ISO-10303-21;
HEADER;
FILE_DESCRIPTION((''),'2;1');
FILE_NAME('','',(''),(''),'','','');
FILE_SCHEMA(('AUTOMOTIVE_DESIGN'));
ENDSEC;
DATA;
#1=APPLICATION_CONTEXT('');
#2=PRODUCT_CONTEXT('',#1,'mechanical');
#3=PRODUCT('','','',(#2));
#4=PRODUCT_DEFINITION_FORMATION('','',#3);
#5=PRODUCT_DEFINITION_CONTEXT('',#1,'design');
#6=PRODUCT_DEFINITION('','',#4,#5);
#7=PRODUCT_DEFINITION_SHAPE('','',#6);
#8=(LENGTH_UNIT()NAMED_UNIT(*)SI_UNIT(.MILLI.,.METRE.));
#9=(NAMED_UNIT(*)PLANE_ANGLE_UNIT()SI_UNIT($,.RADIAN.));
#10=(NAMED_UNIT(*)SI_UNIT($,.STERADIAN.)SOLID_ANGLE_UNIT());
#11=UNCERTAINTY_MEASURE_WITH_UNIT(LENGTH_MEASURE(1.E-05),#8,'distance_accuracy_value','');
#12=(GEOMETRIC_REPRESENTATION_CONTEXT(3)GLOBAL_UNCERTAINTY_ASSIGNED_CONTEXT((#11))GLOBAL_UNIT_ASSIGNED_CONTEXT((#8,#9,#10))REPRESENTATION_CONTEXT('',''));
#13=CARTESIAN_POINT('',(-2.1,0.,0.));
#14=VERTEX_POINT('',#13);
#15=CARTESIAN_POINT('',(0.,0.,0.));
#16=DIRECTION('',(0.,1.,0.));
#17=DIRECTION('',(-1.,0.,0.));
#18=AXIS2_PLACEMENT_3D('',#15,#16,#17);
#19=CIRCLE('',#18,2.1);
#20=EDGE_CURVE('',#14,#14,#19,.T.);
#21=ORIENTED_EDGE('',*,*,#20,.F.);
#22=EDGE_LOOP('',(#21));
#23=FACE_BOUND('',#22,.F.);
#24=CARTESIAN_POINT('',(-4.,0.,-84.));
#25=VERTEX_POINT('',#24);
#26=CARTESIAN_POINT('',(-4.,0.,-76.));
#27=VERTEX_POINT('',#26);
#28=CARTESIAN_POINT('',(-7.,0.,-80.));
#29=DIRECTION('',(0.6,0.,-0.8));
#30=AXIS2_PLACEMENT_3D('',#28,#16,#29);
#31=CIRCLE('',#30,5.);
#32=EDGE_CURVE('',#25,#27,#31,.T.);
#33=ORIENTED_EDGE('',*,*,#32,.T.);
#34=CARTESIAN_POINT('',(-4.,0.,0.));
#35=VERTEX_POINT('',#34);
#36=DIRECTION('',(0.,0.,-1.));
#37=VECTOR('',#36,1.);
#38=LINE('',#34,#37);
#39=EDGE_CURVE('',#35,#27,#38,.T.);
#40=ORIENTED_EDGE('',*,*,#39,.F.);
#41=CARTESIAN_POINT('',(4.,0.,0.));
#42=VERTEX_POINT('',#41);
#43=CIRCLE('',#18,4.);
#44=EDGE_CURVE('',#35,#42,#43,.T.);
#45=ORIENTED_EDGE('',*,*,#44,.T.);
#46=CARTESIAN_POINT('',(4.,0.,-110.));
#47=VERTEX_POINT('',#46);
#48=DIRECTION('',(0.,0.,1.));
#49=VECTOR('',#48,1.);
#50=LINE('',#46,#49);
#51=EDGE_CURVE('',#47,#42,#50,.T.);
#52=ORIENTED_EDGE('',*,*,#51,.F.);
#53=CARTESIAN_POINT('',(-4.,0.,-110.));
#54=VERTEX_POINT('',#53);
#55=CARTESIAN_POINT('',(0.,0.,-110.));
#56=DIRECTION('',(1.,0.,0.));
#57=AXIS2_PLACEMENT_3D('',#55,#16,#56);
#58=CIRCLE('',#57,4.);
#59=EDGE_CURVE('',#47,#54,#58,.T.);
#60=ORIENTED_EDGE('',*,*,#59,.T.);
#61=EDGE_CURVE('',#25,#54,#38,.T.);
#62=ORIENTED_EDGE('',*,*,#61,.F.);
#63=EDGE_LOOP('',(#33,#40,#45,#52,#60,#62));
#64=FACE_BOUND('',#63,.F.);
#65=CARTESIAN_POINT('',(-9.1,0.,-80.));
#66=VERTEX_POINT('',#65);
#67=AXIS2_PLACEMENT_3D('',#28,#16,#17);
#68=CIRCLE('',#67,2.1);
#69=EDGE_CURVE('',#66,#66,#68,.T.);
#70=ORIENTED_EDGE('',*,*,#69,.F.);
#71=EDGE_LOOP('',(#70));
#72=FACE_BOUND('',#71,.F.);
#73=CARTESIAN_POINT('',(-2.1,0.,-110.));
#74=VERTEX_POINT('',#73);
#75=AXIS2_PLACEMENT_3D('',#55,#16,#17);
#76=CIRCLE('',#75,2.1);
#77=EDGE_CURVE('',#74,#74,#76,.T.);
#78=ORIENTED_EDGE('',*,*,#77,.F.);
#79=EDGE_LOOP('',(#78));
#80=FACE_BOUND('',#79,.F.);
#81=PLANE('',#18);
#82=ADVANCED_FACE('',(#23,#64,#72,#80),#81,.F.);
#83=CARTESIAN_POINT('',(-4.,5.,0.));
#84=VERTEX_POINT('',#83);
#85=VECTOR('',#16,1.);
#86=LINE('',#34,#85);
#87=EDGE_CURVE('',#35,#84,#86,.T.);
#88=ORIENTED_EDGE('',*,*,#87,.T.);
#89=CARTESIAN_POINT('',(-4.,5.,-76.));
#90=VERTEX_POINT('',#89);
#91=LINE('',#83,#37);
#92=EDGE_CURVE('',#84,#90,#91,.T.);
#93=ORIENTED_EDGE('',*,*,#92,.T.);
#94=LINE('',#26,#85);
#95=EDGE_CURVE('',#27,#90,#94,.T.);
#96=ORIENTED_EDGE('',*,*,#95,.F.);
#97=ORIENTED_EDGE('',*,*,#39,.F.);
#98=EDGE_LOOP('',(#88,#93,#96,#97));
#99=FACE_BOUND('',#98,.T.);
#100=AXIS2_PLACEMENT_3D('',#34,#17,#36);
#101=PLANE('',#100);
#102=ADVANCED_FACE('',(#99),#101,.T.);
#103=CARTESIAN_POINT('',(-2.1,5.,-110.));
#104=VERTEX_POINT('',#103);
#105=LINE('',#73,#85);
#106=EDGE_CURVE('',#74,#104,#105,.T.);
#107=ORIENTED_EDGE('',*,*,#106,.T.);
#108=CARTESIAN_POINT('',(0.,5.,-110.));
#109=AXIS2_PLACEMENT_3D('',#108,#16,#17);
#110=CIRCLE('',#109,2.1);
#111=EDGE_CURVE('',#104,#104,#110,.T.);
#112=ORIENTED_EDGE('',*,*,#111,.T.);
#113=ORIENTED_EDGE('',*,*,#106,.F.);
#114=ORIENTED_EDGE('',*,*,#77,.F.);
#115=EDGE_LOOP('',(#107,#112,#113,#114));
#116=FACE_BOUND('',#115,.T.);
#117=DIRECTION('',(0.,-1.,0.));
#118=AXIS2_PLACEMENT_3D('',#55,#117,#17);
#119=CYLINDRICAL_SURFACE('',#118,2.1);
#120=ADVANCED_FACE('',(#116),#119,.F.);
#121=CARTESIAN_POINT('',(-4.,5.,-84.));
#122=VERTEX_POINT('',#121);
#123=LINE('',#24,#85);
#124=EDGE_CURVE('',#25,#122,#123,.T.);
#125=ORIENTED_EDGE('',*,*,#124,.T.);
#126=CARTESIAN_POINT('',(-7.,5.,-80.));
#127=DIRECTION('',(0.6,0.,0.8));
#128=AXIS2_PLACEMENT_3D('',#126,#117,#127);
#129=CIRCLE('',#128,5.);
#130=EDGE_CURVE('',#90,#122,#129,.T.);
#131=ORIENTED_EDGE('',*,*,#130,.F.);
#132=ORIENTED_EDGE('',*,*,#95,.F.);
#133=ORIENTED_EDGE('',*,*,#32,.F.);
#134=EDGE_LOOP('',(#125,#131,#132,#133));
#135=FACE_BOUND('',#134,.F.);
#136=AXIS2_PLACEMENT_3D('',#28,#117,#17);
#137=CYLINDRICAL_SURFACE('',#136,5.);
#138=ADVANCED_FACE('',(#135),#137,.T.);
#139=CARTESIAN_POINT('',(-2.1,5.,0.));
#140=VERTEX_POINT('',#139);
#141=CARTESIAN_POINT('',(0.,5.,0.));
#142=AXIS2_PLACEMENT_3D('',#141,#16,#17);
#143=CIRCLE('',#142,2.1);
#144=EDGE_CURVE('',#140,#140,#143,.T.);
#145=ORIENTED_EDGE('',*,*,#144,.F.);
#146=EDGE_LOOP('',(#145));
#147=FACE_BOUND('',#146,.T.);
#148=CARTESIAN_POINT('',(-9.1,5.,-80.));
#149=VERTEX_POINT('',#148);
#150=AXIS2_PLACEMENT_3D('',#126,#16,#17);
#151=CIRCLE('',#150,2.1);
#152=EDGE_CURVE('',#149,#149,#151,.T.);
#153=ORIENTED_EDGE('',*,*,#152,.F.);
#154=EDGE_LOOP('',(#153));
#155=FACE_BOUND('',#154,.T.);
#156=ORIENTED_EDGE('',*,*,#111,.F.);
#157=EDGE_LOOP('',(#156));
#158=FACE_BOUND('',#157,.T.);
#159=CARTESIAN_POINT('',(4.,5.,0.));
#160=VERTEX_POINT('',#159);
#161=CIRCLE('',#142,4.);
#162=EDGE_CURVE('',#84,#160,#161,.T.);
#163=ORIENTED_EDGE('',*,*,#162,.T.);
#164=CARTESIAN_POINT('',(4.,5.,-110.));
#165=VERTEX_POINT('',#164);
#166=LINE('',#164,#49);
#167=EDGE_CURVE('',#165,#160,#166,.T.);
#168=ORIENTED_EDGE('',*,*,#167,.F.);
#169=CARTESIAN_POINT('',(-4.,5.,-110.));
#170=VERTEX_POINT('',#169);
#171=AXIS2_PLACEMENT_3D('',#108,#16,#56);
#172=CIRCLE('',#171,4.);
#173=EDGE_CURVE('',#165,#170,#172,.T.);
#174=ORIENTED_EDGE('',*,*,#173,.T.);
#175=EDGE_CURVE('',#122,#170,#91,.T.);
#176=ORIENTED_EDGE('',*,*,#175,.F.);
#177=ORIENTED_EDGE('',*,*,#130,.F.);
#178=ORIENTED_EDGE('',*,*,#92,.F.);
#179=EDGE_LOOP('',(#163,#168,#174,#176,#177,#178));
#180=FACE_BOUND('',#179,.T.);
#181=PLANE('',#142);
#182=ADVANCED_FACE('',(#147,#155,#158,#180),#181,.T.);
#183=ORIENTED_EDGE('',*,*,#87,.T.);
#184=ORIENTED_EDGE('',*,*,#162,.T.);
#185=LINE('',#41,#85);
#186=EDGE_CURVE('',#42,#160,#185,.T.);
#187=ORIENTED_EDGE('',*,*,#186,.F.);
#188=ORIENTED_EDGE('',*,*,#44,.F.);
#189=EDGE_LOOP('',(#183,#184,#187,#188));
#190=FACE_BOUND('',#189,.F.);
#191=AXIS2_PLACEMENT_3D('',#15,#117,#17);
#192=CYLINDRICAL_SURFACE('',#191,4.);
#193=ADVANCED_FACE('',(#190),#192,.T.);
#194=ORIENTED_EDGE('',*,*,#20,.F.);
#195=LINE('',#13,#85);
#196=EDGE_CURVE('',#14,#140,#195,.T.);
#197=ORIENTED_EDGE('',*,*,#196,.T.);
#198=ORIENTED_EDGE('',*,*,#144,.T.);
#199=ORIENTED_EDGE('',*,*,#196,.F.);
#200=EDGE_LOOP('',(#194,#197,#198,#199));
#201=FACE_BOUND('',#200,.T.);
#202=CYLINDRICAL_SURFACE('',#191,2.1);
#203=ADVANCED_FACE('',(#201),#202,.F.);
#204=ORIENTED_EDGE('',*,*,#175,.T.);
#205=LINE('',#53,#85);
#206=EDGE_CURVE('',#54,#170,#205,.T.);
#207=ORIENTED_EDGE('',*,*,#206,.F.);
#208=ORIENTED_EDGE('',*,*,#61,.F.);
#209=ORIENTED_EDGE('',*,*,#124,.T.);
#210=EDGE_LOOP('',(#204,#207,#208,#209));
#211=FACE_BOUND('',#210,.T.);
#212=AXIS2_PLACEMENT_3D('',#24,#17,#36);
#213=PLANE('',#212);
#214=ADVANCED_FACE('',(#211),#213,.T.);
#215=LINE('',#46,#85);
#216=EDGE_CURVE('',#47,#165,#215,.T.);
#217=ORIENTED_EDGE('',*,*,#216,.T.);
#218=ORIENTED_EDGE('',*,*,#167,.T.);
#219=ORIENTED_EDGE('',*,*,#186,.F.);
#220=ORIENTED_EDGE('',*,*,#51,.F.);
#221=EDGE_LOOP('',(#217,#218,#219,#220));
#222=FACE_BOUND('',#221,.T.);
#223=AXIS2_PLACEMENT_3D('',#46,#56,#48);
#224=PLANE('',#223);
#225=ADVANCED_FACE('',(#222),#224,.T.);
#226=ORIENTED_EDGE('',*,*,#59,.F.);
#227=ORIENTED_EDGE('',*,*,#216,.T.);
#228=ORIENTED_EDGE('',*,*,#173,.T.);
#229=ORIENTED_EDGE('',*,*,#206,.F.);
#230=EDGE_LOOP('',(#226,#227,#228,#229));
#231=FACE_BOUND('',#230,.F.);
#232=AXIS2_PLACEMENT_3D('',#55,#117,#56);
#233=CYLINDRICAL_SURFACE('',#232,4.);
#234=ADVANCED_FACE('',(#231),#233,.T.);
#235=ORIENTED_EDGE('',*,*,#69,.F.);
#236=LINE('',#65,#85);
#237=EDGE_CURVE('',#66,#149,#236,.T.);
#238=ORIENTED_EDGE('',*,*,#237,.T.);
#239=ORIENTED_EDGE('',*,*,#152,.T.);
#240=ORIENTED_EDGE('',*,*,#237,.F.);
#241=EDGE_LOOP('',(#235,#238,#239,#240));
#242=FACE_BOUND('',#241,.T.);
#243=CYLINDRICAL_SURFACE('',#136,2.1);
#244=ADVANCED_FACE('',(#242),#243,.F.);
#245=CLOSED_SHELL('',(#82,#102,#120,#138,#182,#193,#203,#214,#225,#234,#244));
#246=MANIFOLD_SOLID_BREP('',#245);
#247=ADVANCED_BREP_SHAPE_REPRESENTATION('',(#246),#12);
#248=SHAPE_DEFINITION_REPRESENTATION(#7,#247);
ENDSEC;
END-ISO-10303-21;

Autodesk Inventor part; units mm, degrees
ref_plane "YZ Plane" through (0, 0, 0) normal (1, 0, 0) x (0, 1, 0)
ref_plane "XZ Plane" through (0, 0, 0) normal (0, 1, 0) x (-1, 0, 0)
ref_plane "XY Plane" through (0, 0, 0) normal (0, 0, 1) x (1, 0, 0)
sketch "Sketch1" plane through (0, 0, 0) normal (0, 1, 0) x (-1, 0, 0)
  line L0 (0, 0) -> (0, -110) construction
  line L1 (4, 0) -> (4, -110)
  line L2 (-4, -110) -> (-4, 0)
  arc A0 (4, 0) -> (-4, 0) centre (0, 0) ccw
  arc A1 (-4, -110) -> (4, -110) centre (0, -110) ccw
  circle A2 centre (0, 0) radius 2.1
  circle A3 centre (0, -110) radius 2.1
  circle A4 centre (7, -80) radius 2.1
  circle A5 centre (7, -80) radius 5
  point P0 (0, -55)
  point P1 (4, -76)
  point P2 (4, -84)
  dimension "d0" = 110
  dimension "d1" = 8
  dimension "d2" = 4.2
  dimension "d3" = 4.2
  dimension "d6" = 4.2
  dimension "d9" = 80
  dimension "d10" = 3
  dimension "d11" = 10
extrude "Extrusion1" add sketch "Sketch1" along normal blind 5
